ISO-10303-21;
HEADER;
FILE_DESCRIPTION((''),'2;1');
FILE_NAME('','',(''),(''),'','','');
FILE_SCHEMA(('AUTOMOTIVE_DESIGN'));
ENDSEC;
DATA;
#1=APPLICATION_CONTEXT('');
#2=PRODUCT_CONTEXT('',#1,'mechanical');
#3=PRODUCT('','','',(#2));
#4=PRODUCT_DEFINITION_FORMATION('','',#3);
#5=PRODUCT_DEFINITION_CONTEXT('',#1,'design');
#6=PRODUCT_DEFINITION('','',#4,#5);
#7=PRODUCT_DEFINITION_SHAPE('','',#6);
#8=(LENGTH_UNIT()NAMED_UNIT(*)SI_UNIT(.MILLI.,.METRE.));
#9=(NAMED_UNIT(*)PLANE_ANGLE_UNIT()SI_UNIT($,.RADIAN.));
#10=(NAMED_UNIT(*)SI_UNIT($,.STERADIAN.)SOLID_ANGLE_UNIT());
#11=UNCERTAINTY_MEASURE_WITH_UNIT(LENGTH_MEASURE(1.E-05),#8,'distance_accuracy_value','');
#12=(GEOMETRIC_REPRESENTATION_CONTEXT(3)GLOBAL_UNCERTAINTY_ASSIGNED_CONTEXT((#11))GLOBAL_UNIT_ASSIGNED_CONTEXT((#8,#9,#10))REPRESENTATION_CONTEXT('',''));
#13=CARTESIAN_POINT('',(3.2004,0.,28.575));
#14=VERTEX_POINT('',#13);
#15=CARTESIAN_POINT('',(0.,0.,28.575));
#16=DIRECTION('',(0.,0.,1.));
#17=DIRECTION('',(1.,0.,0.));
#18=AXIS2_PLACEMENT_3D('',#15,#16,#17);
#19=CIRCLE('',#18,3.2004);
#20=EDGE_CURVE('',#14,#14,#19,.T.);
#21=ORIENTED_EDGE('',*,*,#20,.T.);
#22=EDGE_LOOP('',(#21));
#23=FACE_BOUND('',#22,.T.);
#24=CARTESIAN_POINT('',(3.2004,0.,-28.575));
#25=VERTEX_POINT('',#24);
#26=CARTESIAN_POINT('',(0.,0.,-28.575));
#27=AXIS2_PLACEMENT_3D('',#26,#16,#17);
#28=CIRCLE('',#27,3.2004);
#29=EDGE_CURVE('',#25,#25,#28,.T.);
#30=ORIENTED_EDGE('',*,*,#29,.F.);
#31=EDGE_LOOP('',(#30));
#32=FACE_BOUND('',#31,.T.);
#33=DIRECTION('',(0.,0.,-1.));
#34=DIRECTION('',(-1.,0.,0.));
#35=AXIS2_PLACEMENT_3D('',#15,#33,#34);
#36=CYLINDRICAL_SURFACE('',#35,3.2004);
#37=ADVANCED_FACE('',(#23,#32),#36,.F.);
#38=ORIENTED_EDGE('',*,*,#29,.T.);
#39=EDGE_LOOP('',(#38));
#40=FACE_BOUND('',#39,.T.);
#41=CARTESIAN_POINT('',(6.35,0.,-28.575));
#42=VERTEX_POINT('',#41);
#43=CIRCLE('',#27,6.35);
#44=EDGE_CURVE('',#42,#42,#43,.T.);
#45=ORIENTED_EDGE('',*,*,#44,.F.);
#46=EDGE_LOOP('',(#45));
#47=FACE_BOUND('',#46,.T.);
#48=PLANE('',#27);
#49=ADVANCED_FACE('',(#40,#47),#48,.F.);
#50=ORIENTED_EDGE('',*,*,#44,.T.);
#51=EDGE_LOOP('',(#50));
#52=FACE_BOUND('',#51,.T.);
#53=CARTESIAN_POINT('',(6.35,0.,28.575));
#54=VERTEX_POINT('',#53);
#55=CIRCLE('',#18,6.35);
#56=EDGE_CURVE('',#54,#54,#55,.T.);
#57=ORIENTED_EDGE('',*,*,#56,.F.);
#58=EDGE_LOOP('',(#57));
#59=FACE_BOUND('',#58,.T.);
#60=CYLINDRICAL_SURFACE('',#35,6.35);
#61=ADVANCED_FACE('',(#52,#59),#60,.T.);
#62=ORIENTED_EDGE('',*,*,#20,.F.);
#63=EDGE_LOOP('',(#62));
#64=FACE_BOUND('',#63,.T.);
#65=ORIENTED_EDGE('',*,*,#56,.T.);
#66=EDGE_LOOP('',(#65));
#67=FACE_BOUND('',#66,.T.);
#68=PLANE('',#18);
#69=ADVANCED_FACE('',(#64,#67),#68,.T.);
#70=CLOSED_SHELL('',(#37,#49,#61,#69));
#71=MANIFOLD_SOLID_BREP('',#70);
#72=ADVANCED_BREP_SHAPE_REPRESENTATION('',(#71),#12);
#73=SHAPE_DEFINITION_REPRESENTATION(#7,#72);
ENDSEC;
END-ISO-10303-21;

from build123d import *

# Parameters (mm, degrees)
SKETCH1_R      = 6.35
SKETCH1_R_2    = 3.2004
EXTRUDE1_DEPTH = 28.575


with BuildPart() as part:
    # Sketch1 → Extrude1 (new body, symmetric)
    with BuildSketch(Plane.XY):
        Circle(SKETCH1_R)
        Circle(SKETCH1_R_2, mode=Mode.SUBTRACT)
    extrude(amount=EXTRUDE1_DEPTH, both=True)


solid = part.part
